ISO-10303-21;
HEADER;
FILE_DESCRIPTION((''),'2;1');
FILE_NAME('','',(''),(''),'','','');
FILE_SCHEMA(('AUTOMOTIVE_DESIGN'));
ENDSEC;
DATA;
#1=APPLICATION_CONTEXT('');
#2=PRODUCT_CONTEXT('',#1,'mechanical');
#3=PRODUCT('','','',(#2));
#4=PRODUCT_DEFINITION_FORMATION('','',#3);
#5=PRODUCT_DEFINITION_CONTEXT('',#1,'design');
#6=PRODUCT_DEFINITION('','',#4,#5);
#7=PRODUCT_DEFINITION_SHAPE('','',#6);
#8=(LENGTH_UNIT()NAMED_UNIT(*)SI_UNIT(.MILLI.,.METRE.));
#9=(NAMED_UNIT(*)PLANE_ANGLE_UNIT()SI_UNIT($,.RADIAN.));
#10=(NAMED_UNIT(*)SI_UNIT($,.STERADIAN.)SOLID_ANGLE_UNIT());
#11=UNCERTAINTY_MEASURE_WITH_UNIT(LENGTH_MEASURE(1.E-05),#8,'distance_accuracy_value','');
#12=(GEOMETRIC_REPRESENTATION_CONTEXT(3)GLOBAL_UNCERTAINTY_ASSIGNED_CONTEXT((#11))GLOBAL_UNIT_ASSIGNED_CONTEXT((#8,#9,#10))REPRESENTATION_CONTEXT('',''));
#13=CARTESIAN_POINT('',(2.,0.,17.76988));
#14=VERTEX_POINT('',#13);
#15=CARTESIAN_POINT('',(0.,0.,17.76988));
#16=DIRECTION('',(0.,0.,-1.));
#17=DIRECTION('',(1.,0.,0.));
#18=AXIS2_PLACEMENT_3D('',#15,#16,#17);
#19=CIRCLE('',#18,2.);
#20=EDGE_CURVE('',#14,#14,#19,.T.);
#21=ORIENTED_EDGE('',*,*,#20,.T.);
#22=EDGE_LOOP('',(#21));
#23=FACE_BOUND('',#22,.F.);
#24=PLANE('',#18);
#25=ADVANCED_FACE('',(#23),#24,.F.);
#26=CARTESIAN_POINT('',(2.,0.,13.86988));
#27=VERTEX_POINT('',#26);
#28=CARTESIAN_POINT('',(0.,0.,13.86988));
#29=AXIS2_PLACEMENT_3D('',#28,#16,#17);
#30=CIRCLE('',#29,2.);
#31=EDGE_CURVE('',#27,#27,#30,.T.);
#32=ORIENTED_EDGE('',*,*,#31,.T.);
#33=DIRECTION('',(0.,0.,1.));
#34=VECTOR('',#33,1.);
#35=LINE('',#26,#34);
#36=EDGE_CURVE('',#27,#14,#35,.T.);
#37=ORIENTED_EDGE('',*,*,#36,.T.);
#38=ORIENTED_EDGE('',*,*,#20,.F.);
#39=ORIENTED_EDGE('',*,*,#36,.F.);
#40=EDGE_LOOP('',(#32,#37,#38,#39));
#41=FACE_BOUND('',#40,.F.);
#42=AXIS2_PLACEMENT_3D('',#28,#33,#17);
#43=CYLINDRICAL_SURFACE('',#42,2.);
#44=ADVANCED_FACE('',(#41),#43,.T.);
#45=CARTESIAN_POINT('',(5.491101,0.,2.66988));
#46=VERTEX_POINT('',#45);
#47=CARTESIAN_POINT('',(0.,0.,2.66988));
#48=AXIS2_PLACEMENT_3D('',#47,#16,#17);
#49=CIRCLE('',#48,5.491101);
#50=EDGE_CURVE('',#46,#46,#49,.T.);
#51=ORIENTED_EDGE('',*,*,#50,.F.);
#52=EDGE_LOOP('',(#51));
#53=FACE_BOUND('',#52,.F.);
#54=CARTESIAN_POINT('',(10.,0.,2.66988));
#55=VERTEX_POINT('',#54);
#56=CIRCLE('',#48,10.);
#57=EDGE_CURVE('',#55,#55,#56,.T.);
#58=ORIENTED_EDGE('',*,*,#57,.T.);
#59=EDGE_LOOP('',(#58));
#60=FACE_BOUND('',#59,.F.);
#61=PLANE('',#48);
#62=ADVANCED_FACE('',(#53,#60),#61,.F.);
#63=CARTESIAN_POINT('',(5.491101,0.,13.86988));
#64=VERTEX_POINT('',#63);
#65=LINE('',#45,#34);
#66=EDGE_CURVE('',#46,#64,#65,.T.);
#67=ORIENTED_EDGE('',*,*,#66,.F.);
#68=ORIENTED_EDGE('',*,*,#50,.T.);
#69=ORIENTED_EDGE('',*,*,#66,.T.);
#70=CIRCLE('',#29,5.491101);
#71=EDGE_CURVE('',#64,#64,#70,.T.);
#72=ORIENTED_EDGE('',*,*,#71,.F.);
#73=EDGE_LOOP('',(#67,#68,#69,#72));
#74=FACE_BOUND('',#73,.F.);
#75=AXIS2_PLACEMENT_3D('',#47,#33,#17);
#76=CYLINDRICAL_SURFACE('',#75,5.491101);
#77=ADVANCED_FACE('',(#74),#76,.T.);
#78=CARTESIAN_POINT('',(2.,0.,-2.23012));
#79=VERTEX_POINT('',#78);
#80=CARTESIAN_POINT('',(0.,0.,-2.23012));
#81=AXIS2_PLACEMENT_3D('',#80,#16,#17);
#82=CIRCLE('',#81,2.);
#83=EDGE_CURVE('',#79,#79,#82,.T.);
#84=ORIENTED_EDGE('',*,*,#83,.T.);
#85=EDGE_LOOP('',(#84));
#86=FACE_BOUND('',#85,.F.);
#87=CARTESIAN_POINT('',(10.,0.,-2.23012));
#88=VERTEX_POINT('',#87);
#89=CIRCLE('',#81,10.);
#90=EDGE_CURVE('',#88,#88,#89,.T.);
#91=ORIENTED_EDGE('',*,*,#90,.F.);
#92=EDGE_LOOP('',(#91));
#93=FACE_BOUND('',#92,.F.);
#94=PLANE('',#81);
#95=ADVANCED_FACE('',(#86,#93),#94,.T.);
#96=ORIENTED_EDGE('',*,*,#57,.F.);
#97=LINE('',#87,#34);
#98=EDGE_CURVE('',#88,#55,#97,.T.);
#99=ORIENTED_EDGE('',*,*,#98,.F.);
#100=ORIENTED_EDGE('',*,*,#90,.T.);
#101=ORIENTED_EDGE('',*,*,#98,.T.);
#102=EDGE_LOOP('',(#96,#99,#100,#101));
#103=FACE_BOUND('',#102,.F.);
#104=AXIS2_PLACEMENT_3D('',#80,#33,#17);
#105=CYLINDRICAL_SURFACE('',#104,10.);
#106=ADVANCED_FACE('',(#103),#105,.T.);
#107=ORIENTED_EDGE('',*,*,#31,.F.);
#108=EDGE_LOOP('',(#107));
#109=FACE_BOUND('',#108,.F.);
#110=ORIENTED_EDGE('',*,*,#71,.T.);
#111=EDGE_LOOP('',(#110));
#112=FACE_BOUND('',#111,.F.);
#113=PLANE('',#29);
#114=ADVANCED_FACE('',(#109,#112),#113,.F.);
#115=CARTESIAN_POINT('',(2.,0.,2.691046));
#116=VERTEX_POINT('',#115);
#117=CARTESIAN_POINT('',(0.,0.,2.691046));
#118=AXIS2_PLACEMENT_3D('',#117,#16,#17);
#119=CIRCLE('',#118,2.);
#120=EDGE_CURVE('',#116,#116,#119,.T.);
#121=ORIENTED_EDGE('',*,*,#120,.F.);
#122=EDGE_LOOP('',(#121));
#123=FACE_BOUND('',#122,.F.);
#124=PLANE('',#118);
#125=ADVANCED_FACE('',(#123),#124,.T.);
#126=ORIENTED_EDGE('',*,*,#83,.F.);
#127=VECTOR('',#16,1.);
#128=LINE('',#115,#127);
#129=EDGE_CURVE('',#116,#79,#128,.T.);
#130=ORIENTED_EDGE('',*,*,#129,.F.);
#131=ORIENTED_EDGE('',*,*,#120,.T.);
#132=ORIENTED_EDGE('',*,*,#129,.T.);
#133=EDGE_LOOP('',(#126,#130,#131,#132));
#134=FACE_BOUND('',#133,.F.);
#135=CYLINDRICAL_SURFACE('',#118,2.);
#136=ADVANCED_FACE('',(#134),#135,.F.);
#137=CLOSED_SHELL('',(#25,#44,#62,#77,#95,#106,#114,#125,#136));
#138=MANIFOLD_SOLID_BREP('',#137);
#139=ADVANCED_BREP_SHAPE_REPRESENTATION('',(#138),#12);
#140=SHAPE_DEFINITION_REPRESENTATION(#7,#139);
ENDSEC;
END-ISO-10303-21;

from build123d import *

# Parameters (mm, degrees)
F0_W     = 8
F0_H     = 4.6
F2_R     = 5.5
F2_R_2   = 2
F3_DEPTH = 0.3
F4_W     = 5.5
F4_H     = 11.2
F6_R     = 2
F7_DEPTH = 3.9


with BuildPart() as f1:
    # F0 (on Front) → F1 (revolve)
    with BuildSketch(Plane.XZ):
        with Locations((6, 0.039412)):
            Rectangle(F0_W, F0_H)
    revolve(axis=Axis((0, 0, 0.039412), (0, 0, -1)))

    # F2 (on face) → F3 (join)
    with BuildSketch(Plane.XY.offset(2.339412)):
        Circle(F2_R)
        Circle(F2_R_2, mode=Mode.SUBTRACT)
    extrude(amount=F3_DEPTH)


with BuildPart() as f5:
    # F4 (on Front) → F5 (revolve)
    with BuildSketch(Plane.XZ):
        with Locations((2.75, 8.252153)):
            Rectangle(F4_W, F4_H)
    revolve(axis=Axis((0, 0, 8.252153), (0, 0, 1)))

    # F6 (on face) → F7 (join)
    with BuildSketch(Plane.XY.offset(13.852153)):
        Circle(F6_R)
    extrude(amount=F7_DEPTH)


with BuildPart() as f9:
    # F8 (on Front) → F9 (revolve)
    with BuildSketch(Plane.XZ):
        Polygon((2, 17.76988), (0, 17.76988), (0, 2.691046), (2, 2.691046), (2, -2.23012), (10, -2.23012), (10, 2.66988), (5.491101, 2.66988), (5.491101, 13.86988), (2, 13.86988), align=None)
    revolve(axis=Axis((0, 0, 4.709774), (0, 0, -1)))


solid = f9.part
